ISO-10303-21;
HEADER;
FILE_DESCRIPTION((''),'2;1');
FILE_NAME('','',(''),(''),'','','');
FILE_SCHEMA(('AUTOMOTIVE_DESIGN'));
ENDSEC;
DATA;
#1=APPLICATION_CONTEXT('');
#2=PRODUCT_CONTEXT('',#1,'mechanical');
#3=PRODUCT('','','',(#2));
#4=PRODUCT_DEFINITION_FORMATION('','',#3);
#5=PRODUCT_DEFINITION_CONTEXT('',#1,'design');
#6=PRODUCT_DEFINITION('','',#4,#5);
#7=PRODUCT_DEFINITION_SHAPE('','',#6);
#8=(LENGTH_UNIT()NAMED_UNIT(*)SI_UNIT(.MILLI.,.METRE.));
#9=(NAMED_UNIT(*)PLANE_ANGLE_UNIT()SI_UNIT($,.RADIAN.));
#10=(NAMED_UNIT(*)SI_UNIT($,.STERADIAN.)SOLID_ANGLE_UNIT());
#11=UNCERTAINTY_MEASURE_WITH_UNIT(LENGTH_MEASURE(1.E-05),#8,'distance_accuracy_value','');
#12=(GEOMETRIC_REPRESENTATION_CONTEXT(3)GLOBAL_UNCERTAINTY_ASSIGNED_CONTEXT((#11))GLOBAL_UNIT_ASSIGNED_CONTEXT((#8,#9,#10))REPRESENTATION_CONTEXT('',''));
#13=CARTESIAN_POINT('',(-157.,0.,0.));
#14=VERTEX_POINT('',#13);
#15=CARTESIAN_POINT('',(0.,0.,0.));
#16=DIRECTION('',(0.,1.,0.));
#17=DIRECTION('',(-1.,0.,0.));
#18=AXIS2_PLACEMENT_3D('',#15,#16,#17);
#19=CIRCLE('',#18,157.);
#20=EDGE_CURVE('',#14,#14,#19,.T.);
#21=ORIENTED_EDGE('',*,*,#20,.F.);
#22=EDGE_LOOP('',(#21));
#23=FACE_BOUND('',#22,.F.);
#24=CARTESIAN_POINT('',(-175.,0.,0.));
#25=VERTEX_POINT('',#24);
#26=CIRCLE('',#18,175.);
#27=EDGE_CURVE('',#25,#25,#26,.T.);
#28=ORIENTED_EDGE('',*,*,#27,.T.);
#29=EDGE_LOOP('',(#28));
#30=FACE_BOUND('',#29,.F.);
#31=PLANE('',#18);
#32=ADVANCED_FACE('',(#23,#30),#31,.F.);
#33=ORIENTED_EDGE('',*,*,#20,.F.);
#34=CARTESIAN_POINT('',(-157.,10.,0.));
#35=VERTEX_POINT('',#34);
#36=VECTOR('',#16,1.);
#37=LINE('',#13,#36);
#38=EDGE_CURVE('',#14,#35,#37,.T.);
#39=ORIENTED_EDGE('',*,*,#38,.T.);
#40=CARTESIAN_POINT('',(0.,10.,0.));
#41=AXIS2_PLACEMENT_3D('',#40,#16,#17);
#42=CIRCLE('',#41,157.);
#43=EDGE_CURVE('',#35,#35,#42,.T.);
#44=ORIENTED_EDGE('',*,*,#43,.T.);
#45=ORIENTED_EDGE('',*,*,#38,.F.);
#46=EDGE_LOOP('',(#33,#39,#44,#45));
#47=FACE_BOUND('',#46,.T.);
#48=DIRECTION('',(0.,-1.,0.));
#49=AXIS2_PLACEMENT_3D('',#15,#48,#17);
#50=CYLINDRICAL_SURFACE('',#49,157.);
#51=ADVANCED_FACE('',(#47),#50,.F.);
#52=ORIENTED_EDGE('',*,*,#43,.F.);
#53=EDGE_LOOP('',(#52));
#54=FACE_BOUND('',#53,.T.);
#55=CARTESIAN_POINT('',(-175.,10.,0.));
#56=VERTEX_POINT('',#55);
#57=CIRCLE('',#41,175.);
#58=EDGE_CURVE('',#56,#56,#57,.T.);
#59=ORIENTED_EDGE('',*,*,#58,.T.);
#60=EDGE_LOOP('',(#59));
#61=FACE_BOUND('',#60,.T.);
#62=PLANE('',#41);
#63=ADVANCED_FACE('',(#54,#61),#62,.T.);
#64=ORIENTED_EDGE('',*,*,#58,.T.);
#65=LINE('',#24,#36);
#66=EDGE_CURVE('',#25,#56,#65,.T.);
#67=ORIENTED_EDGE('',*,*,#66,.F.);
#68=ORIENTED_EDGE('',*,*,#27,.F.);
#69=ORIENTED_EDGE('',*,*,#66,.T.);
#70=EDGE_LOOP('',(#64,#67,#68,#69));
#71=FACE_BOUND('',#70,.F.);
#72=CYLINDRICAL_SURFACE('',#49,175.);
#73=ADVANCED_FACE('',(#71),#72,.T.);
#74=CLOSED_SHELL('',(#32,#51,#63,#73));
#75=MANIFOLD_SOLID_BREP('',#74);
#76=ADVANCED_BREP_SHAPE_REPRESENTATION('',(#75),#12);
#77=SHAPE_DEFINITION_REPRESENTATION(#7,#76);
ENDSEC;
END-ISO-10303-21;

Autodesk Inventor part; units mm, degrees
ref_plane "YZ Plane" through (0, 0, 0) normal (1, 0, 0) x (0, 1, 0)
ref_plane "XZ Plane" through (0, 0, 0) normal (0, 1, 0) x (-1, 0, 0)
ref_plane "XY Plane" through (0, 0, 0) normal (0, 0, 1) x (1, 0, 0)
sketch "Эскиз1" plane through (0, 0, 0) normal (0, 1, 0) x (-1, 0, 0)
  circle A0 centre (0, 0) radius 175
  circle A1 centre (0, 0) radius 157
  dimension "d0" = 350
  dimension "d3" = 314
extrude "Выдавливание1" add sketch "Эскиз1" along normal blind 10 contours A0 | A1
extrude "Выдавливание2" cut sketch "Эскиз1" along normal blind 10 contours A1
properties part number "assemble_ver4"
